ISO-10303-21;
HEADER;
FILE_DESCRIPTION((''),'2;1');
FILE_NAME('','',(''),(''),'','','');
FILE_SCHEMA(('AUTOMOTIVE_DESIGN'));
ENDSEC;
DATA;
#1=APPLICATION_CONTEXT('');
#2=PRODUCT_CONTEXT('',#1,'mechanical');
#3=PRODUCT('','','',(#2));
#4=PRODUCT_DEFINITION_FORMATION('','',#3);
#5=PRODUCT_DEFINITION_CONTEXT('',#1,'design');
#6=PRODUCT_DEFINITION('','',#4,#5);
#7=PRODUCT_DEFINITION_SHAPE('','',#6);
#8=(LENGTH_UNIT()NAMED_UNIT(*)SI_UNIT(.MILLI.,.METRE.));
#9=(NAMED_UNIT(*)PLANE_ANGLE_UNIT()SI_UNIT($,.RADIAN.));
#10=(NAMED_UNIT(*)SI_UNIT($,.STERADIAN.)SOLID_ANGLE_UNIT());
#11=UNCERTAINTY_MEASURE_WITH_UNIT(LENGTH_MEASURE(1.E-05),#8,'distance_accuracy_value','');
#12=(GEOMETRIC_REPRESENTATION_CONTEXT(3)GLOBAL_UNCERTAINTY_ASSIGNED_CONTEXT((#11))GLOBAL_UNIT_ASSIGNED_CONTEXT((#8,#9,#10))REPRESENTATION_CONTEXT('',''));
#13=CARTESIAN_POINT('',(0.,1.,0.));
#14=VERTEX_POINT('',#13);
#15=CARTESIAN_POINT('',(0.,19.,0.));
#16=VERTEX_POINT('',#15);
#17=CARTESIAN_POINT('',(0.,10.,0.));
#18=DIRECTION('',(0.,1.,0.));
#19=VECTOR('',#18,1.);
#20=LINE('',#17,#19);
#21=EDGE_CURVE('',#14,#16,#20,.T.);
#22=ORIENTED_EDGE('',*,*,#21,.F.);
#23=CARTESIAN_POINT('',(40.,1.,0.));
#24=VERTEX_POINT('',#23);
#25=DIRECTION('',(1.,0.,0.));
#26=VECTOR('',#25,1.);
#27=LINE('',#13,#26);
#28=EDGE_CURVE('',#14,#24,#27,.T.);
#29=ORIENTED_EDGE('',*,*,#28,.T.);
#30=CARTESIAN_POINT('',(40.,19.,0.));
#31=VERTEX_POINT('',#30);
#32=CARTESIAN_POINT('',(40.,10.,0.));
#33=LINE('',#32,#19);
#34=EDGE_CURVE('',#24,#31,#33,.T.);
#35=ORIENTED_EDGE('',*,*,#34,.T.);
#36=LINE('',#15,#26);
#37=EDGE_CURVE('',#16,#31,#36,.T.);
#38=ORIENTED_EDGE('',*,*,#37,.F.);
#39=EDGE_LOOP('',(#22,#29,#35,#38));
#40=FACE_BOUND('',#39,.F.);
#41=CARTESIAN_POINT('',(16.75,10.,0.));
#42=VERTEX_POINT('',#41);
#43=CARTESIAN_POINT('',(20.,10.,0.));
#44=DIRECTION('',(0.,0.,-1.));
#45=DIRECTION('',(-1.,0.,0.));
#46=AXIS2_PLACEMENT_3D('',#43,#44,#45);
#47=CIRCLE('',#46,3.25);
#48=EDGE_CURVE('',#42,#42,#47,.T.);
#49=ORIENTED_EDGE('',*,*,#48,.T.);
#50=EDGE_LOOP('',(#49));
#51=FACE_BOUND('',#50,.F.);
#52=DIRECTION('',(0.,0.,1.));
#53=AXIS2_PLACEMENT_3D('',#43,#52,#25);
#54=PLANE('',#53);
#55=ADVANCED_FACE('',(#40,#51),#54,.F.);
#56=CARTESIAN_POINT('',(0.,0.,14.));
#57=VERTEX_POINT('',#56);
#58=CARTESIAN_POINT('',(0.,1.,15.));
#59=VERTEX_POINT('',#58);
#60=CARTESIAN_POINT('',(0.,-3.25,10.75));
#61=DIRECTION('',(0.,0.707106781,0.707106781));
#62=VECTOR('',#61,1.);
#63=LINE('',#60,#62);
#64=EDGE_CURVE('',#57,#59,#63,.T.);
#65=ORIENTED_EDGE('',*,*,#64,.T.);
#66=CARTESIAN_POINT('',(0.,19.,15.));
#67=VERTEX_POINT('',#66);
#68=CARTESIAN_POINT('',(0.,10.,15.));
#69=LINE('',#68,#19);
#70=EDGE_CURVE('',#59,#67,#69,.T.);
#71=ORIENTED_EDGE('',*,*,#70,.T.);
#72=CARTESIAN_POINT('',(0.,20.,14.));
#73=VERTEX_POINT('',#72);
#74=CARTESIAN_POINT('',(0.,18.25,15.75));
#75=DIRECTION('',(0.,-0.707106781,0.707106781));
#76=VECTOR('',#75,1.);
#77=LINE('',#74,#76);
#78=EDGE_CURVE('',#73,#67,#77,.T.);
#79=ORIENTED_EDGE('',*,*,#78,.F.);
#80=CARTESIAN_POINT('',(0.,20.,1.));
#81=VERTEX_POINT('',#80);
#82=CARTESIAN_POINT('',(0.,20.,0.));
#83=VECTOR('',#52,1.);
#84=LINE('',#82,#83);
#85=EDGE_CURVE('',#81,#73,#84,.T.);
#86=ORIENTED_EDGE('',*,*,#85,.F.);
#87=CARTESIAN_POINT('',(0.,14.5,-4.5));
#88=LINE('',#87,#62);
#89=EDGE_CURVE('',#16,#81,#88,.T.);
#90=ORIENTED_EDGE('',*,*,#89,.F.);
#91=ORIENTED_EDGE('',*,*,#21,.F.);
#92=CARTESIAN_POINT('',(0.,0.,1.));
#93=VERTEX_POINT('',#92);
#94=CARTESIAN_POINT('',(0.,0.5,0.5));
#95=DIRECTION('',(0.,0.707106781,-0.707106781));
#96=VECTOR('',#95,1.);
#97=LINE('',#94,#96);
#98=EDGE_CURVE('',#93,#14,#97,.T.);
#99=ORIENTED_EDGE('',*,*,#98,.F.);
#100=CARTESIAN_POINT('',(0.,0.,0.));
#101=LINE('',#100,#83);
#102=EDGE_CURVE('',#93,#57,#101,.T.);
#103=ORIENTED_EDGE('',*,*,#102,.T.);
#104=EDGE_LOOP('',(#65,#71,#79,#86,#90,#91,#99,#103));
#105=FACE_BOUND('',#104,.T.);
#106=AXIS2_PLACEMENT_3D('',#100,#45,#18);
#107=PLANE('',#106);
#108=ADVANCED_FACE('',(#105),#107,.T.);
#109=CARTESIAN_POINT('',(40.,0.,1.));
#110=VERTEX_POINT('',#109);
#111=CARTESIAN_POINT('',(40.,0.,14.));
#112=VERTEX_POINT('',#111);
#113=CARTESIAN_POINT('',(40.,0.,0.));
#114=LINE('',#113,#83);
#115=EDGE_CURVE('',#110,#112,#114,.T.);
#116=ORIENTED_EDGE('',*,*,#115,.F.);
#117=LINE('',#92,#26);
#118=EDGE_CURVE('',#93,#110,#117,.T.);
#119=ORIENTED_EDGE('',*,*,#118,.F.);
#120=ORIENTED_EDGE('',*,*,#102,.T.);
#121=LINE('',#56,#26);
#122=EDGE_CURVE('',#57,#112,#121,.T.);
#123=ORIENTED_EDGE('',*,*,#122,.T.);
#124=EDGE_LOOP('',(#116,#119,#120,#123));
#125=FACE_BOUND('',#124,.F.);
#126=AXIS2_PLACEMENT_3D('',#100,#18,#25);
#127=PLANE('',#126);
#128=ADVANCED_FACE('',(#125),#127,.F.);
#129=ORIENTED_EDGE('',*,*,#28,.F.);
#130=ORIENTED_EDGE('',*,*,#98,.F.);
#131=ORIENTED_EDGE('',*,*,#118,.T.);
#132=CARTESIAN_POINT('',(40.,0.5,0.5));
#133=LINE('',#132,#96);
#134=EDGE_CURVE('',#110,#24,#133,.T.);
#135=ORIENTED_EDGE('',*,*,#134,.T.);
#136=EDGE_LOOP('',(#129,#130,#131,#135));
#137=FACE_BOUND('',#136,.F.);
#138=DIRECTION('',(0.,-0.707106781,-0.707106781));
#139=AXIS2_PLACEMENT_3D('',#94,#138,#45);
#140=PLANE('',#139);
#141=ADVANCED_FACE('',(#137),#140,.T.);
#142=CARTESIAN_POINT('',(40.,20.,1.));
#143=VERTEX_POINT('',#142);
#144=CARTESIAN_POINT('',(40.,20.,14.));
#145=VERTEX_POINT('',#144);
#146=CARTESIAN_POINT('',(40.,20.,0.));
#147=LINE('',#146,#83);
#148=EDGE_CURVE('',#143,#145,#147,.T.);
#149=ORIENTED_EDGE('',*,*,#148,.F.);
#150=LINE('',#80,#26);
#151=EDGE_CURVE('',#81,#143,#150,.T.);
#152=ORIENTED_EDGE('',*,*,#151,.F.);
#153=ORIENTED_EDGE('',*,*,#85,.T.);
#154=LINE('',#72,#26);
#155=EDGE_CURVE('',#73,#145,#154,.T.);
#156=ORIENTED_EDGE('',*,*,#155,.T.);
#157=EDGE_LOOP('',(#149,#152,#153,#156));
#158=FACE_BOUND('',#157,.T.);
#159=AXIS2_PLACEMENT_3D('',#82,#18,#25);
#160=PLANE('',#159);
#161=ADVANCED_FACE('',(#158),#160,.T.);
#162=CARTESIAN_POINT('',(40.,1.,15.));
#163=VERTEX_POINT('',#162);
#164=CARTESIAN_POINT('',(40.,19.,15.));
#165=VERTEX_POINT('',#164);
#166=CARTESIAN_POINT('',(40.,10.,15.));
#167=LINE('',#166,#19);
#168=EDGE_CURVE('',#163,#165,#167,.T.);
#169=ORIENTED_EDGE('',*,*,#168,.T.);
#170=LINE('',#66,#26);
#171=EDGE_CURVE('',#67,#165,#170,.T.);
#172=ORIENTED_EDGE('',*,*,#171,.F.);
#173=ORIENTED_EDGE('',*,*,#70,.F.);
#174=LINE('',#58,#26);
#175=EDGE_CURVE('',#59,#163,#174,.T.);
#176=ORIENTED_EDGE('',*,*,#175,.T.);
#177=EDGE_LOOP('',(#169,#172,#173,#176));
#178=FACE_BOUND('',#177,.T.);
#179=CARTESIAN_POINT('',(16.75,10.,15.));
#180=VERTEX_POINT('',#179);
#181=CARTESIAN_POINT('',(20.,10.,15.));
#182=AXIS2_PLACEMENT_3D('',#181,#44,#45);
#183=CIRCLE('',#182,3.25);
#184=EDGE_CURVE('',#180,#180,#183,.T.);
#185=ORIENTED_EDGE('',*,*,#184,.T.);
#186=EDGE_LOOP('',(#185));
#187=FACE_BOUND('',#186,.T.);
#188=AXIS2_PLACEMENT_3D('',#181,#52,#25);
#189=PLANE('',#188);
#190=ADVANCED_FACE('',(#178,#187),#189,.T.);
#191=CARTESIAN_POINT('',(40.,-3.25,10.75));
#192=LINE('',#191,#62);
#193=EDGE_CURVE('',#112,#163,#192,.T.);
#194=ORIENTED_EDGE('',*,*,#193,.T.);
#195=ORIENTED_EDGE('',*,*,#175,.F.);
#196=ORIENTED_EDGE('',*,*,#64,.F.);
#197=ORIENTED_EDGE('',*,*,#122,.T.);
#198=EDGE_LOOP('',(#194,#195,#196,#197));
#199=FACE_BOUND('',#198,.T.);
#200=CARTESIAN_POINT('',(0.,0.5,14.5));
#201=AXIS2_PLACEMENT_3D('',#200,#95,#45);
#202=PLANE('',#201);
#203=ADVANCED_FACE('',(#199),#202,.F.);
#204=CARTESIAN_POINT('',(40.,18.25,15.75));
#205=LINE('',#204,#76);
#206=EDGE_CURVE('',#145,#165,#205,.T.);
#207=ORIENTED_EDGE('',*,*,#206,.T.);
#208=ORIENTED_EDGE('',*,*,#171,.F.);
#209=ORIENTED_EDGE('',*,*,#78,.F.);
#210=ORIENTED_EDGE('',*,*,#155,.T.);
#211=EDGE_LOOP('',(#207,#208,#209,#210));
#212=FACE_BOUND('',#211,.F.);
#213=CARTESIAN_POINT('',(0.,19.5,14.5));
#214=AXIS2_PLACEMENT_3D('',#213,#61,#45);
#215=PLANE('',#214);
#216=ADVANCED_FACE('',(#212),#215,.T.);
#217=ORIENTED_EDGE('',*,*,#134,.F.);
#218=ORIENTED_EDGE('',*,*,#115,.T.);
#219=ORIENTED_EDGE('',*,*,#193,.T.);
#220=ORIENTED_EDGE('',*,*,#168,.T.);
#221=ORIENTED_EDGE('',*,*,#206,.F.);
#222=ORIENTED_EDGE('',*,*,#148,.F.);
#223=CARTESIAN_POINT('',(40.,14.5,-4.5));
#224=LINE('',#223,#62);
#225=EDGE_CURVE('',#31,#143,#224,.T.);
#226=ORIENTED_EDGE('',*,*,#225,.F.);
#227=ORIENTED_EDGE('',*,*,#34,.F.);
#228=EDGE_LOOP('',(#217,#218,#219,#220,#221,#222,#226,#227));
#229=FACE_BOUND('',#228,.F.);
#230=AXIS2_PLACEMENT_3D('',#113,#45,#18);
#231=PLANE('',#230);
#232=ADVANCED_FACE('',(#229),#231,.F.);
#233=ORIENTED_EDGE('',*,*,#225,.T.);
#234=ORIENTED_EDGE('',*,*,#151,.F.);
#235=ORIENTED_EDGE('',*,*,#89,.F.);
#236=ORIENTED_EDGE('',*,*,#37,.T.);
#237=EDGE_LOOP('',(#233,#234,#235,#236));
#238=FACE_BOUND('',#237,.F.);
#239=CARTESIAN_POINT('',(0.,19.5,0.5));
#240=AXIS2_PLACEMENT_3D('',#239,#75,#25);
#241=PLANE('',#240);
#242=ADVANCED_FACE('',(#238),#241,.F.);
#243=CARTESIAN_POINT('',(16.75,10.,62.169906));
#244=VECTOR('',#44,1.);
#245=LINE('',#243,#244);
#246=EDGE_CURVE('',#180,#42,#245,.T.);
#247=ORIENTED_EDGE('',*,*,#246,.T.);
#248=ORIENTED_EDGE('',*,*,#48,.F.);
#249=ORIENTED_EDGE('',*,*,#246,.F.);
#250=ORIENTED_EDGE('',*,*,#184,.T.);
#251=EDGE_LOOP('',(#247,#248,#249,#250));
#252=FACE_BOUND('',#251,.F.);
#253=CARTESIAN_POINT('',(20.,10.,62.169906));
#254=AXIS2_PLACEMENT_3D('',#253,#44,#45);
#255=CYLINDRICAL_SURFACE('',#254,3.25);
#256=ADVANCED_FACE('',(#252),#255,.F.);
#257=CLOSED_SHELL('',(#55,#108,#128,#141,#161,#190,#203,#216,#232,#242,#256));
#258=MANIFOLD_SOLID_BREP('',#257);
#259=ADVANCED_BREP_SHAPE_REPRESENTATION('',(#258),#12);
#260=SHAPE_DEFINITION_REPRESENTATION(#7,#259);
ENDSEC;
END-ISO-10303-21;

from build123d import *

# Parameters (mm, degrees)
F0_W     = 40
F0_H     = 20
F1_DEPTH = 15
F3_D     = 6.5
F4_SIZE  = 1
F5_SIZE  = 1


with BuildPart() as f1:
    # F0 (on Top) → F1 (new body)
    with BuildSketch(Plane.XY):
        with Locations((20, 10)):
            Rectangle(F0_W, F0_H)
    extrude(amount=F1_DEPTH)

    # F3 (through all)
    with Locations(Plane.XY.offset(15)):
        with Locations((20, 10)):
            Hole(F3_D / 2)

    # F4
    f4_edges = [f1.edges().sort_by_distance(p)[0] for p in [
        (20, 0, 15),
        (20, 20, 15),
    ]]
    chamfer(f4_edges, length=F4_SIZE)

    # F5
    f5_edges = [f1.edges().sort_by_distance(p)[0] for p in [
        (20, 0, 0),
        (20, 20, 0),
    ]]
    chamfer(f5_edges, length=F5_SIZE)


solid = f1.part
